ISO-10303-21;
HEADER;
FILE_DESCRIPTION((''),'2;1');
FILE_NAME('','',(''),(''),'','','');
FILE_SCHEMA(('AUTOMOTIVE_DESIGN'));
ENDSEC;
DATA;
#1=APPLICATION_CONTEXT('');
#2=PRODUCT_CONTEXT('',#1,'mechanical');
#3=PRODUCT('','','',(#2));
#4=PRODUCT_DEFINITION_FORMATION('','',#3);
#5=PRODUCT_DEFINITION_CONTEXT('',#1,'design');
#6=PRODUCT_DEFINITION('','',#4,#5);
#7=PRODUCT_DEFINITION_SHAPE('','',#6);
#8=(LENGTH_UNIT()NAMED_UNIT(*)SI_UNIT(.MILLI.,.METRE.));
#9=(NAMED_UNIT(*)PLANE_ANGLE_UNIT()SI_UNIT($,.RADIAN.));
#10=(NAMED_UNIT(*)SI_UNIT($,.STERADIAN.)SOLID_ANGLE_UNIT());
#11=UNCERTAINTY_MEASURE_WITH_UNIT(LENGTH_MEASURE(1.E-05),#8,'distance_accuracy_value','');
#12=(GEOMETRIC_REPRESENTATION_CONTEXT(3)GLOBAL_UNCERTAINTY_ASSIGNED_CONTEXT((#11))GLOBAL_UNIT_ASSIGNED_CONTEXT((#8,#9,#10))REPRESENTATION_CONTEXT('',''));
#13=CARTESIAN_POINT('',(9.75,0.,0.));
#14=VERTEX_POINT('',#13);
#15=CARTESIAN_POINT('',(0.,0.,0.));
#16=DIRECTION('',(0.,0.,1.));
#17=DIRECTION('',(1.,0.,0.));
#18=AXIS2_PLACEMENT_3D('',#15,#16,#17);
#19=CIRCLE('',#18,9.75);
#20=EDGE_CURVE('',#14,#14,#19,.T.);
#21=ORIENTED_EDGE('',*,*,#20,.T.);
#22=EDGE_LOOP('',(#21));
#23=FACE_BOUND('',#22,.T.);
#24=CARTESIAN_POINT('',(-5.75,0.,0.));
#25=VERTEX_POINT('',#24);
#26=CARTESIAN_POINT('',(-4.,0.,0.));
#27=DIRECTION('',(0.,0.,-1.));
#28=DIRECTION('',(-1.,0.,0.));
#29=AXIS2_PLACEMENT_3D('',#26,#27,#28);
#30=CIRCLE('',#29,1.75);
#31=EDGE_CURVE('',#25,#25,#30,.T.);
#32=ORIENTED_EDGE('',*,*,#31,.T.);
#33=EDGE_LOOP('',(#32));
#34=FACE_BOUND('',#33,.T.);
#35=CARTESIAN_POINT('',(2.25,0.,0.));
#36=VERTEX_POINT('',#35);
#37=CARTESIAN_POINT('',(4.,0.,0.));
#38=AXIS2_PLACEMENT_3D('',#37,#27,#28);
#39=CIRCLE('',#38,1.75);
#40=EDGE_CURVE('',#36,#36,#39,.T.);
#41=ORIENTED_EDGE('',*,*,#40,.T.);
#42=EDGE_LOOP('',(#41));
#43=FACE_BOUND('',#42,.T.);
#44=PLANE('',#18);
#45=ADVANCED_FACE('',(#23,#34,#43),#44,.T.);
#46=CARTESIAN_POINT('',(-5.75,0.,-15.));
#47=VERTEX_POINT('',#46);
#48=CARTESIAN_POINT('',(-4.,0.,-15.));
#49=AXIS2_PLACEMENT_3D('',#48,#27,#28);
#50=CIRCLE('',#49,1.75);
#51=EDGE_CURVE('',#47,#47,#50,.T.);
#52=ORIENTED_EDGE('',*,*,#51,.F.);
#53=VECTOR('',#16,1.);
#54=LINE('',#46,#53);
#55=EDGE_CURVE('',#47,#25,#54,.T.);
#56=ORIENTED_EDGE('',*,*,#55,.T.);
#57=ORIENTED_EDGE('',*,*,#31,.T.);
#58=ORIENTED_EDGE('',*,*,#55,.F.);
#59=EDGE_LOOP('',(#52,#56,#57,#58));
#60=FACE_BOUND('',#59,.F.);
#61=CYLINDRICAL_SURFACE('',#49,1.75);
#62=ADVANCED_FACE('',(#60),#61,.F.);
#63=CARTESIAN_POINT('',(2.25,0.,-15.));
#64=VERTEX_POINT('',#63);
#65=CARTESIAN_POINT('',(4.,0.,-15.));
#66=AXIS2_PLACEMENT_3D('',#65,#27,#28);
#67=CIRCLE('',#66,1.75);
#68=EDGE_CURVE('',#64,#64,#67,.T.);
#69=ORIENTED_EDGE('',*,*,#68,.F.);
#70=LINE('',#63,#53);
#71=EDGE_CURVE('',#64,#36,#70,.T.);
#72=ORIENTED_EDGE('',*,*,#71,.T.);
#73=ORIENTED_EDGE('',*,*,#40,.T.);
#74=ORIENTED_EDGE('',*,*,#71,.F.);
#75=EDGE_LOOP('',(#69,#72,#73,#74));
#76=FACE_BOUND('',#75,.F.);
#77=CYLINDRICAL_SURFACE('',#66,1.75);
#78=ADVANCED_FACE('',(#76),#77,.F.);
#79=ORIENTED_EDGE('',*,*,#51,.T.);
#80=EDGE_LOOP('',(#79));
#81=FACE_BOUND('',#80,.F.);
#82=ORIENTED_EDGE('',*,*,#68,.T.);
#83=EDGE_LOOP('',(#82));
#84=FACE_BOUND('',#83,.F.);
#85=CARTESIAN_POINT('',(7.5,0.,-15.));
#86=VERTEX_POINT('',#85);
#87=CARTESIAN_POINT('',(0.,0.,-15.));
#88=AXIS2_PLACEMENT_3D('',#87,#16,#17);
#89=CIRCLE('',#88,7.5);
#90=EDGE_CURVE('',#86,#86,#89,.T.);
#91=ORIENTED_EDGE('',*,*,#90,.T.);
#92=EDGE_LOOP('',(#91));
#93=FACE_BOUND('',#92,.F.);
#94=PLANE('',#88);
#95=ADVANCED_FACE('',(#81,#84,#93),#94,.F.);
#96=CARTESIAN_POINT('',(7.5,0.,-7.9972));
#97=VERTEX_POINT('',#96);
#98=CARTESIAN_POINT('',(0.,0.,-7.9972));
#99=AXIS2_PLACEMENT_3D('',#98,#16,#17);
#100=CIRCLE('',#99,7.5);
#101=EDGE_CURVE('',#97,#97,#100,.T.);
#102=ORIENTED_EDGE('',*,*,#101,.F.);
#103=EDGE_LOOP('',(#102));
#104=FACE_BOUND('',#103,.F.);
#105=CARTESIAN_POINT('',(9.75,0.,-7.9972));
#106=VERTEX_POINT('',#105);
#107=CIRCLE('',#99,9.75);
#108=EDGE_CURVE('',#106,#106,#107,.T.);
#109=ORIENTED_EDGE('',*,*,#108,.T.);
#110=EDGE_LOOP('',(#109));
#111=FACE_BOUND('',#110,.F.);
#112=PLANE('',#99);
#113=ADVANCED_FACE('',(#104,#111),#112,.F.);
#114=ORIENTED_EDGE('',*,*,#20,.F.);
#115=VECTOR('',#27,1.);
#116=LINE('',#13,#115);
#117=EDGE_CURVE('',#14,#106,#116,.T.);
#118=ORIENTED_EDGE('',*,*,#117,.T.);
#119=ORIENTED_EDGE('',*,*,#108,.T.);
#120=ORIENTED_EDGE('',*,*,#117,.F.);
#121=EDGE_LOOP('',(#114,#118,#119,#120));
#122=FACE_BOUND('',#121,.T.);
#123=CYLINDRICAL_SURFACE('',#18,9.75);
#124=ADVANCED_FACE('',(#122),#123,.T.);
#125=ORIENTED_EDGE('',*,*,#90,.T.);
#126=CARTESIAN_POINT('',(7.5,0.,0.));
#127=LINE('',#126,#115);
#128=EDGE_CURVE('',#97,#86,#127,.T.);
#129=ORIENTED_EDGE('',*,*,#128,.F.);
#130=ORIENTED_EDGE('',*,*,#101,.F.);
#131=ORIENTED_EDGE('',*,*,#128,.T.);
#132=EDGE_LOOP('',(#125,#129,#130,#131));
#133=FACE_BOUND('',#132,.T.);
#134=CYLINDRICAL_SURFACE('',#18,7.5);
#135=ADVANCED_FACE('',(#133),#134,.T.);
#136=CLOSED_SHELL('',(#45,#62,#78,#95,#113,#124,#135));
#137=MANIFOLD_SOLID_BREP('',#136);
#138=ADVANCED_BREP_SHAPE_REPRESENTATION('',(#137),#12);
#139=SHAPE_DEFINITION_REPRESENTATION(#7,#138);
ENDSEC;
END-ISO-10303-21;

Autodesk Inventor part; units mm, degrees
ref_plane "YZ Plane" through (0, 0, 0) normal (1, 0, 0) x (0, 1, 0)
ref_plane "XZ Plane" through (0, 0, 0) normal (0, 1, 0) x (-1, 0, 0)
ref_plane "Work Plane1" through (-12, -12, -7.9972) normal (0, 0, 1) x (1, 0, 0)
sketch "Sketch1" plane through (0, 0, 0) normal (0, 0, 1) x (1, 0, 0)
  circle A0 centre (0, 0) radius 9.75
  circle A1 centre (0, 0) radius 7.5
  dimension "d0" = 19.5
  dimension "d1" = 15
extrude "Extrusion1" add sketch "Sketch1" against normal up to surface (7.9972 mm away) contours A0 | A1
extrude "Extrusion2" add sketch "Sketch1" against normal blind 15 contours A1
sketch "Sketch2" plane through (0, 0, -15) normal (0, 0, -1) x (-1, 0, 0)
  circle A0 centre (4, 0) radius 1.75
  circle A1 centre (-4, 0) radius 1.75
  point P0 (0, 0)
  dimension "d6" = 3.5
  dimension "d7" = 4
  dimension "d8" = 8
extrude "Extrusion3" cut sketch "Sketch2" against normal through all
equation "\"d8\" = 2 * d7"
properties part number "Shaft-1"
